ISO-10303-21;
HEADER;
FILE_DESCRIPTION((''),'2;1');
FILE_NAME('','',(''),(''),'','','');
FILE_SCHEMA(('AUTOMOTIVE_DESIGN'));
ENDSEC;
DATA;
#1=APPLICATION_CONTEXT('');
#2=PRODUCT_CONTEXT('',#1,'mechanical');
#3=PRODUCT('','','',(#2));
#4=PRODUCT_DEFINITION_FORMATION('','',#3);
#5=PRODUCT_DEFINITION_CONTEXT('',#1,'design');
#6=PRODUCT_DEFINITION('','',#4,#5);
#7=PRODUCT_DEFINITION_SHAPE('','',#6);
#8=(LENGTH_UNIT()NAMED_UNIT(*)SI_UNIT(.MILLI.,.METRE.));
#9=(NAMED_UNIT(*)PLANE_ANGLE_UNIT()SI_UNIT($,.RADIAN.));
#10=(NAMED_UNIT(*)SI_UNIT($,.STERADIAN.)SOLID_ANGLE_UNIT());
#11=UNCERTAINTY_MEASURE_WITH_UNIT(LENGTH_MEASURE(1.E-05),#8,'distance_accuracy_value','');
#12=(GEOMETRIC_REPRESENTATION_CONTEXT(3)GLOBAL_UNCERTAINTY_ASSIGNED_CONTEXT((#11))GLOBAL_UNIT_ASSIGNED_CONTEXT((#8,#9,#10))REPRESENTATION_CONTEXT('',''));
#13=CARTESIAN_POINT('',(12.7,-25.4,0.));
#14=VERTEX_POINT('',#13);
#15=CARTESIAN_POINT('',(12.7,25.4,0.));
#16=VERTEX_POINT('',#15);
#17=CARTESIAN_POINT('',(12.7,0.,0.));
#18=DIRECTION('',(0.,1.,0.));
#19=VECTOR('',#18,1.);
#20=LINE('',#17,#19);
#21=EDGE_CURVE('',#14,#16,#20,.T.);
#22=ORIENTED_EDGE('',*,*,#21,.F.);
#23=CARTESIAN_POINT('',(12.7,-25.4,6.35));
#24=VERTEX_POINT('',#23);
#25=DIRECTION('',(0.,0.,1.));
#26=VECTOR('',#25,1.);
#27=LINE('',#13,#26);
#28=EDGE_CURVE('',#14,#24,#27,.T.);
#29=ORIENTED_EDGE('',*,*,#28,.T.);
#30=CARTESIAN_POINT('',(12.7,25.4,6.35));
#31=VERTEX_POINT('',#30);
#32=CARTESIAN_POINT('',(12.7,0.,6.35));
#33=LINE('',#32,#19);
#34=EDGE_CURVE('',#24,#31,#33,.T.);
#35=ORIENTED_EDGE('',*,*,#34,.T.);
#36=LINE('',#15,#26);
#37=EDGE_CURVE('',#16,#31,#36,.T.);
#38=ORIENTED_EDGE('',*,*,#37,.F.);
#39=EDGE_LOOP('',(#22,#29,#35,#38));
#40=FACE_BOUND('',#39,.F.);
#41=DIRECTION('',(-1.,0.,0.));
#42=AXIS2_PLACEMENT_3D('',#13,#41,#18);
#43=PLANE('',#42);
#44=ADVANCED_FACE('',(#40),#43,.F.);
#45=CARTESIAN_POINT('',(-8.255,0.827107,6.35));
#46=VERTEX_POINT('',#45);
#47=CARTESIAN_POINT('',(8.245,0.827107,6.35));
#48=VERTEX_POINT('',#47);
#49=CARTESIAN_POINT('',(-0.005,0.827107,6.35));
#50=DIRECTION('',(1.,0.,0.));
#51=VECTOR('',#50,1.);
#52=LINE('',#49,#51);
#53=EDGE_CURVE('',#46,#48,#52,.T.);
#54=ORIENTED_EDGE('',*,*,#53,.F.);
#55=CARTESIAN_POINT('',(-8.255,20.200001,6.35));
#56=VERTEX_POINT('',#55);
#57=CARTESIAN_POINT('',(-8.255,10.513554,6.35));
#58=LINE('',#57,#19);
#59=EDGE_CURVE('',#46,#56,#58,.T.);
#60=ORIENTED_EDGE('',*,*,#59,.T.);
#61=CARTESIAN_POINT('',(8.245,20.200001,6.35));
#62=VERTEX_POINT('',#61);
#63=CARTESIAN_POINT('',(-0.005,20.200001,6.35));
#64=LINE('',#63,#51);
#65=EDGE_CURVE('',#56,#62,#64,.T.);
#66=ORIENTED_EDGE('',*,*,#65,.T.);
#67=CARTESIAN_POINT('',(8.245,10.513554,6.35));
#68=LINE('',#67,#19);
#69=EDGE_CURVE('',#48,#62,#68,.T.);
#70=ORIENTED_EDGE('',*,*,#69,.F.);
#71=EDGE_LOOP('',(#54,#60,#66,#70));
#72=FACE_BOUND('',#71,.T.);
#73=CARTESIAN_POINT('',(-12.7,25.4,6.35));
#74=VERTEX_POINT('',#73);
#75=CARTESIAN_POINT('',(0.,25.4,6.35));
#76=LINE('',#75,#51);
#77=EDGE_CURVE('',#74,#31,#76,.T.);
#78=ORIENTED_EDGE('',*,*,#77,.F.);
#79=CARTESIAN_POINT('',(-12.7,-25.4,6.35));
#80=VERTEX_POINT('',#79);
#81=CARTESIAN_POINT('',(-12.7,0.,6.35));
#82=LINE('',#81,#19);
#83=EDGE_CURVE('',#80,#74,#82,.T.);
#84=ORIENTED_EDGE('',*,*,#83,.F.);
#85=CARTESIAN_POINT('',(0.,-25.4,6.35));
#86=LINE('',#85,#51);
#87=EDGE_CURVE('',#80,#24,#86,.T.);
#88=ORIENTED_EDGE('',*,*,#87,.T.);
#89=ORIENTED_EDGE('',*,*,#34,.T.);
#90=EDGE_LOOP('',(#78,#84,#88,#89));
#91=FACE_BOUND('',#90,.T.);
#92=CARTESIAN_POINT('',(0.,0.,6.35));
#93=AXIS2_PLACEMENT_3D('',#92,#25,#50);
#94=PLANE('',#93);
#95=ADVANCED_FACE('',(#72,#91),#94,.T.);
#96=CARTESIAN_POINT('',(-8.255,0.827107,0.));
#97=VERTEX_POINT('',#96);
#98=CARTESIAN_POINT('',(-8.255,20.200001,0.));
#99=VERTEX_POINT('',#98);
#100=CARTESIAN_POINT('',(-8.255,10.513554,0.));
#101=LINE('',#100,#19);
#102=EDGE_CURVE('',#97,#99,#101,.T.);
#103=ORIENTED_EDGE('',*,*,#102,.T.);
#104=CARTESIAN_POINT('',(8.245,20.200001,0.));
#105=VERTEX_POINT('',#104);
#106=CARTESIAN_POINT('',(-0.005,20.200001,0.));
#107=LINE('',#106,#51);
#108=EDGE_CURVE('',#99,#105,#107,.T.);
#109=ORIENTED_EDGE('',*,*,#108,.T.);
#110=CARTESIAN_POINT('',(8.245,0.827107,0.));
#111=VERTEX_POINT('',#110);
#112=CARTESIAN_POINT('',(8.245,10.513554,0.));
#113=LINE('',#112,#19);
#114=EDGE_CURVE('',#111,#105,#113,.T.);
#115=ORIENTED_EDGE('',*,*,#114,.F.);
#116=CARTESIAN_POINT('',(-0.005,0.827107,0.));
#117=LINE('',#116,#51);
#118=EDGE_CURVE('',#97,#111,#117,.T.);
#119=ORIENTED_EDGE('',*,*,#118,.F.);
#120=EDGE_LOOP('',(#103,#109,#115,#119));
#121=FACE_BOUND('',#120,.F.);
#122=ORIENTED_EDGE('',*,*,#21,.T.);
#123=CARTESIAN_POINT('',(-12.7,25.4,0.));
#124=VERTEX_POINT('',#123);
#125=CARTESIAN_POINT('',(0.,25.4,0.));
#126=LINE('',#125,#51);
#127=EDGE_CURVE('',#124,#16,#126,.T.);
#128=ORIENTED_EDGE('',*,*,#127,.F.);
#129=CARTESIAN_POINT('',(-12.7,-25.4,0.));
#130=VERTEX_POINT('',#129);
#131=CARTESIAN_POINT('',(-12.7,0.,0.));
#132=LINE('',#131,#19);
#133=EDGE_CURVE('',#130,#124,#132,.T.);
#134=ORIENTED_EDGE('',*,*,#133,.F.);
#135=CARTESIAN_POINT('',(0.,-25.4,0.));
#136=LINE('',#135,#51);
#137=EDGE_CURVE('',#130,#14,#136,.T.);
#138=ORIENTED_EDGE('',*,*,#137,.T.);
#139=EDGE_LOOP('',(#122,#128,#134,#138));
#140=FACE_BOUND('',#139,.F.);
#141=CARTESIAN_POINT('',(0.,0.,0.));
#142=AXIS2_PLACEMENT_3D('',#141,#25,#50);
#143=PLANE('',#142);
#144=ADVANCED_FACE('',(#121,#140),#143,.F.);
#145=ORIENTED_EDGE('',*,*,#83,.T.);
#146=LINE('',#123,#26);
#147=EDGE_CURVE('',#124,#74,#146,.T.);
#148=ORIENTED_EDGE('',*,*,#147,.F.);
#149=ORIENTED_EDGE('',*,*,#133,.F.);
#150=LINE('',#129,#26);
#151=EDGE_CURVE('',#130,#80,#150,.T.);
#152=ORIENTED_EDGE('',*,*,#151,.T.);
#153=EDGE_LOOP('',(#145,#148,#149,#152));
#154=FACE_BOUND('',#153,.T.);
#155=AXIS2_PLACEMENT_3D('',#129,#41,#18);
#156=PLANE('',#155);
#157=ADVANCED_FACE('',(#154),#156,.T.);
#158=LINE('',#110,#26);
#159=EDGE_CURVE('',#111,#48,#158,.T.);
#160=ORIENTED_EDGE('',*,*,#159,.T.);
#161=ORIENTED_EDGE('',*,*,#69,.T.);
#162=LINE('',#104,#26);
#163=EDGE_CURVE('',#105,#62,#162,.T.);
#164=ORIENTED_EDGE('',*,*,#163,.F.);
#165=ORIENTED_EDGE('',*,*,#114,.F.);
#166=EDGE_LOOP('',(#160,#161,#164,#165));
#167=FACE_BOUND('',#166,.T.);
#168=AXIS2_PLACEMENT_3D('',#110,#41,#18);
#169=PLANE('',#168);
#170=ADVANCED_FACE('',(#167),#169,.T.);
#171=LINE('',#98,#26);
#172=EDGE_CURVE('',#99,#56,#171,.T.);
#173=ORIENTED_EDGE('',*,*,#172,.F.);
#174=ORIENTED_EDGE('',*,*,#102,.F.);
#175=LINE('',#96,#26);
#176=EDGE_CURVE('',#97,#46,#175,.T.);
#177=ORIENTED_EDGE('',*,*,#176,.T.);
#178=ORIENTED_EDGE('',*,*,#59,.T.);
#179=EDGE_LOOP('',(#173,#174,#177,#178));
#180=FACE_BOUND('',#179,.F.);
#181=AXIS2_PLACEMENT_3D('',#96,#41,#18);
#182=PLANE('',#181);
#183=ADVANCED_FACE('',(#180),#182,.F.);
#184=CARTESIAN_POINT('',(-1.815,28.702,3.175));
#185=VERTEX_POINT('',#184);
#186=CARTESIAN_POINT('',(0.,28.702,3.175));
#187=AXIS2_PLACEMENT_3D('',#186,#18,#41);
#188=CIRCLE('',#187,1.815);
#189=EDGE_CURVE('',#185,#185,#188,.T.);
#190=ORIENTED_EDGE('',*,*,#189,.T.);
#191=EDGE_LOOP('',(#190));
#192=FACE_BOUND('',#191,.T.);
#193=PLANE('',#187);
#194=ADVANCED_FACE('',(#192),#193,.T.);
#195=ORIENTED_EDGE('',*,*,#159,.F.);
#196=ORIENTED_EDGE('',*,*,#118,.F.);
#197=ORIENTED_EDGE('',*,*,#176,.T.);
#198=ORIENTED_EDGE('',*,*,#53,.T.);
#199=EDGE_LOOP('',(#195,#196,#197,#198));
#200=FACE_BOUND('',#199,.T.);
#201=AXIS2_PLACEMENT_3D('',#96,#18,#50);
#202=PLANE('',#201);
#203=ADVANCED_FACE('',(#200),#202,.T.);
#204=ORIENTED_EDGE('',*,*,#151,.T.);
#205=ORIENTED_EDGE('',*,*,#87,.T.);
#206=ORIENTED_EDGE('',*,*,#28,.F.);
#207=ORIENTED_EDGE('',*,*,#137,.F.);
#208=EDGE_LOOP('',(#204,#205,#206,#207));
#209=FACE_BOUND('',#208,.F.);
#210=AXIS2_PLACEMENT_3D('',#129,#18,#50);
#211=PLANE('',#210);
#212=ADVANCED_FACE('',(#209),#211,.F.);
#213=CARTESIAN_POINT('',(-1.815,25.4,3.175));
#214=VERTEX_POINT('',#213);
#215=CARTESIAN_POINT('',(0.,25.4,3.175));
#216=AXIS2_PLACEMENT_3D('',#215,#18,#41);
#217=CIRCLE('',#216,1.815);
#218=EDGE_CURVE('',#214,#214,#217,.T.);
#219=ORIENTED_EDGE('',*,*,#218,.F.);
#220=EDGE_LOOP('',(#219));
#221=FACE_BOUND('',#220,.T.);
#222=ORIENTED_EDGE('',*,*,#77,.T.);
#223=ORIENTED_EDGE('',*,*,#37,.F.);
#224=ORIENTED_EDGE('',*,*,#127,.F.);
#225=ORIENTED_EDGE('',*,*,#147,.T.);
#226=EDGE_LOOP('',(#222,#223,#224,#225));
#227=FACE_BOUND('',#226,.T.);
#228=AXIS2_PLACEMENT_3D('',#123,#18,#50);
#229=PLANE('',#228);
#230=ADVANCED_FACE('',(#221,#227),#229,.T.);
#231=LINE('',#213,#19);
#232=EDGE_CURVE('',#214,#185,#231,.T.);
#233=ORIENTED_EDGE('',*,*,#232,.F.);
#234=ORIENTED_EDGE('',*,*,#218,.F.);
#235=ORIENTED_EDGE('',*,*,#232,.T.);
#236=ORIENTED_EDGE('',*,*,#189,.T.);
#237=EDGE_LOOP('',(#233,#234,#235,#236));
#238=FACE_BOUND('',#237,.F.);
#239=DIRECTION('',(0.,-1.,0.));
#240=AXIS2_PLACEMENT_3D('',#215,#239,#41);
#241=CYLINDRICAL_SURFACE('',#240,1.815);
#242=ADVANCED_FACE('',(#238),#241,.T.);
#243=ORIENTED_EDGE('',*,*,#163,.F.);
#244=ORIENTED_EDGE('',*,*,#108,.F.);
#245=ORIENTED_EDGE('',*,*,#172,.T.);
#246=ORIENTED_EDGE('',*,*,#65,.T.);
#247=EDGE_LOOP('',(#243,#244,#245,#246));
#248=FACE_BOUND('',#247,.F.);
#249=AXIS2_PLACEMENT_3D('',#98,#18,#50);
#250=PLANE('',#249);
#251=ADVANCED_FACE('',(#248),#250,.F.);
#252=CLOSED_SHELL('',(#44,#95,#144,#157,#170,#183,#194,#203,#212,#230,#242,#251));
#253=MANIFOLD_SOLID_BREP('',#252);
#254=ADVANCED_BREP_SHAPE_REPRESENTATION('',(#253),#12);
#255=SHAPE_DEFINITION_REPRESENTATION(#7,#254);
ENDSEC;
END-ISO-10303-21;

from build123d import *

# Parameters (mm, degrees)
F0_W     = 25.4
F0_H     = 50.8
F0_W_2   = 16.5
F0_H_2   = 19.372893
F1_DEPTH = 6.35
F2_R     = 1.815
F3_DEPTH = 3.302


with BuildPart() as f1:
    # F0 (on Top) → F1 (new body)
    with BuildSketch(Plane.XY):
        Rectangle(F0_W, F0_H)
        with Locations((-0.005, 10.513554)):
            Rectangle(F0_W_2, F0_H_2, mode=Mode.SUBTRACT)
    extrude(amount=F1_DEPTH)

    # F2 (on face) → F3 (join)
    with BuildSketch(Plane(origin=(0, 25.4, 0), x_dir=(-1, 0, 0), z_dir=(0, 1, 0))):
        with Locations((0, 3.175)):
            Circle(F2_R)
    extrude(amount=F3_DEPTH)


solid = f1.part
